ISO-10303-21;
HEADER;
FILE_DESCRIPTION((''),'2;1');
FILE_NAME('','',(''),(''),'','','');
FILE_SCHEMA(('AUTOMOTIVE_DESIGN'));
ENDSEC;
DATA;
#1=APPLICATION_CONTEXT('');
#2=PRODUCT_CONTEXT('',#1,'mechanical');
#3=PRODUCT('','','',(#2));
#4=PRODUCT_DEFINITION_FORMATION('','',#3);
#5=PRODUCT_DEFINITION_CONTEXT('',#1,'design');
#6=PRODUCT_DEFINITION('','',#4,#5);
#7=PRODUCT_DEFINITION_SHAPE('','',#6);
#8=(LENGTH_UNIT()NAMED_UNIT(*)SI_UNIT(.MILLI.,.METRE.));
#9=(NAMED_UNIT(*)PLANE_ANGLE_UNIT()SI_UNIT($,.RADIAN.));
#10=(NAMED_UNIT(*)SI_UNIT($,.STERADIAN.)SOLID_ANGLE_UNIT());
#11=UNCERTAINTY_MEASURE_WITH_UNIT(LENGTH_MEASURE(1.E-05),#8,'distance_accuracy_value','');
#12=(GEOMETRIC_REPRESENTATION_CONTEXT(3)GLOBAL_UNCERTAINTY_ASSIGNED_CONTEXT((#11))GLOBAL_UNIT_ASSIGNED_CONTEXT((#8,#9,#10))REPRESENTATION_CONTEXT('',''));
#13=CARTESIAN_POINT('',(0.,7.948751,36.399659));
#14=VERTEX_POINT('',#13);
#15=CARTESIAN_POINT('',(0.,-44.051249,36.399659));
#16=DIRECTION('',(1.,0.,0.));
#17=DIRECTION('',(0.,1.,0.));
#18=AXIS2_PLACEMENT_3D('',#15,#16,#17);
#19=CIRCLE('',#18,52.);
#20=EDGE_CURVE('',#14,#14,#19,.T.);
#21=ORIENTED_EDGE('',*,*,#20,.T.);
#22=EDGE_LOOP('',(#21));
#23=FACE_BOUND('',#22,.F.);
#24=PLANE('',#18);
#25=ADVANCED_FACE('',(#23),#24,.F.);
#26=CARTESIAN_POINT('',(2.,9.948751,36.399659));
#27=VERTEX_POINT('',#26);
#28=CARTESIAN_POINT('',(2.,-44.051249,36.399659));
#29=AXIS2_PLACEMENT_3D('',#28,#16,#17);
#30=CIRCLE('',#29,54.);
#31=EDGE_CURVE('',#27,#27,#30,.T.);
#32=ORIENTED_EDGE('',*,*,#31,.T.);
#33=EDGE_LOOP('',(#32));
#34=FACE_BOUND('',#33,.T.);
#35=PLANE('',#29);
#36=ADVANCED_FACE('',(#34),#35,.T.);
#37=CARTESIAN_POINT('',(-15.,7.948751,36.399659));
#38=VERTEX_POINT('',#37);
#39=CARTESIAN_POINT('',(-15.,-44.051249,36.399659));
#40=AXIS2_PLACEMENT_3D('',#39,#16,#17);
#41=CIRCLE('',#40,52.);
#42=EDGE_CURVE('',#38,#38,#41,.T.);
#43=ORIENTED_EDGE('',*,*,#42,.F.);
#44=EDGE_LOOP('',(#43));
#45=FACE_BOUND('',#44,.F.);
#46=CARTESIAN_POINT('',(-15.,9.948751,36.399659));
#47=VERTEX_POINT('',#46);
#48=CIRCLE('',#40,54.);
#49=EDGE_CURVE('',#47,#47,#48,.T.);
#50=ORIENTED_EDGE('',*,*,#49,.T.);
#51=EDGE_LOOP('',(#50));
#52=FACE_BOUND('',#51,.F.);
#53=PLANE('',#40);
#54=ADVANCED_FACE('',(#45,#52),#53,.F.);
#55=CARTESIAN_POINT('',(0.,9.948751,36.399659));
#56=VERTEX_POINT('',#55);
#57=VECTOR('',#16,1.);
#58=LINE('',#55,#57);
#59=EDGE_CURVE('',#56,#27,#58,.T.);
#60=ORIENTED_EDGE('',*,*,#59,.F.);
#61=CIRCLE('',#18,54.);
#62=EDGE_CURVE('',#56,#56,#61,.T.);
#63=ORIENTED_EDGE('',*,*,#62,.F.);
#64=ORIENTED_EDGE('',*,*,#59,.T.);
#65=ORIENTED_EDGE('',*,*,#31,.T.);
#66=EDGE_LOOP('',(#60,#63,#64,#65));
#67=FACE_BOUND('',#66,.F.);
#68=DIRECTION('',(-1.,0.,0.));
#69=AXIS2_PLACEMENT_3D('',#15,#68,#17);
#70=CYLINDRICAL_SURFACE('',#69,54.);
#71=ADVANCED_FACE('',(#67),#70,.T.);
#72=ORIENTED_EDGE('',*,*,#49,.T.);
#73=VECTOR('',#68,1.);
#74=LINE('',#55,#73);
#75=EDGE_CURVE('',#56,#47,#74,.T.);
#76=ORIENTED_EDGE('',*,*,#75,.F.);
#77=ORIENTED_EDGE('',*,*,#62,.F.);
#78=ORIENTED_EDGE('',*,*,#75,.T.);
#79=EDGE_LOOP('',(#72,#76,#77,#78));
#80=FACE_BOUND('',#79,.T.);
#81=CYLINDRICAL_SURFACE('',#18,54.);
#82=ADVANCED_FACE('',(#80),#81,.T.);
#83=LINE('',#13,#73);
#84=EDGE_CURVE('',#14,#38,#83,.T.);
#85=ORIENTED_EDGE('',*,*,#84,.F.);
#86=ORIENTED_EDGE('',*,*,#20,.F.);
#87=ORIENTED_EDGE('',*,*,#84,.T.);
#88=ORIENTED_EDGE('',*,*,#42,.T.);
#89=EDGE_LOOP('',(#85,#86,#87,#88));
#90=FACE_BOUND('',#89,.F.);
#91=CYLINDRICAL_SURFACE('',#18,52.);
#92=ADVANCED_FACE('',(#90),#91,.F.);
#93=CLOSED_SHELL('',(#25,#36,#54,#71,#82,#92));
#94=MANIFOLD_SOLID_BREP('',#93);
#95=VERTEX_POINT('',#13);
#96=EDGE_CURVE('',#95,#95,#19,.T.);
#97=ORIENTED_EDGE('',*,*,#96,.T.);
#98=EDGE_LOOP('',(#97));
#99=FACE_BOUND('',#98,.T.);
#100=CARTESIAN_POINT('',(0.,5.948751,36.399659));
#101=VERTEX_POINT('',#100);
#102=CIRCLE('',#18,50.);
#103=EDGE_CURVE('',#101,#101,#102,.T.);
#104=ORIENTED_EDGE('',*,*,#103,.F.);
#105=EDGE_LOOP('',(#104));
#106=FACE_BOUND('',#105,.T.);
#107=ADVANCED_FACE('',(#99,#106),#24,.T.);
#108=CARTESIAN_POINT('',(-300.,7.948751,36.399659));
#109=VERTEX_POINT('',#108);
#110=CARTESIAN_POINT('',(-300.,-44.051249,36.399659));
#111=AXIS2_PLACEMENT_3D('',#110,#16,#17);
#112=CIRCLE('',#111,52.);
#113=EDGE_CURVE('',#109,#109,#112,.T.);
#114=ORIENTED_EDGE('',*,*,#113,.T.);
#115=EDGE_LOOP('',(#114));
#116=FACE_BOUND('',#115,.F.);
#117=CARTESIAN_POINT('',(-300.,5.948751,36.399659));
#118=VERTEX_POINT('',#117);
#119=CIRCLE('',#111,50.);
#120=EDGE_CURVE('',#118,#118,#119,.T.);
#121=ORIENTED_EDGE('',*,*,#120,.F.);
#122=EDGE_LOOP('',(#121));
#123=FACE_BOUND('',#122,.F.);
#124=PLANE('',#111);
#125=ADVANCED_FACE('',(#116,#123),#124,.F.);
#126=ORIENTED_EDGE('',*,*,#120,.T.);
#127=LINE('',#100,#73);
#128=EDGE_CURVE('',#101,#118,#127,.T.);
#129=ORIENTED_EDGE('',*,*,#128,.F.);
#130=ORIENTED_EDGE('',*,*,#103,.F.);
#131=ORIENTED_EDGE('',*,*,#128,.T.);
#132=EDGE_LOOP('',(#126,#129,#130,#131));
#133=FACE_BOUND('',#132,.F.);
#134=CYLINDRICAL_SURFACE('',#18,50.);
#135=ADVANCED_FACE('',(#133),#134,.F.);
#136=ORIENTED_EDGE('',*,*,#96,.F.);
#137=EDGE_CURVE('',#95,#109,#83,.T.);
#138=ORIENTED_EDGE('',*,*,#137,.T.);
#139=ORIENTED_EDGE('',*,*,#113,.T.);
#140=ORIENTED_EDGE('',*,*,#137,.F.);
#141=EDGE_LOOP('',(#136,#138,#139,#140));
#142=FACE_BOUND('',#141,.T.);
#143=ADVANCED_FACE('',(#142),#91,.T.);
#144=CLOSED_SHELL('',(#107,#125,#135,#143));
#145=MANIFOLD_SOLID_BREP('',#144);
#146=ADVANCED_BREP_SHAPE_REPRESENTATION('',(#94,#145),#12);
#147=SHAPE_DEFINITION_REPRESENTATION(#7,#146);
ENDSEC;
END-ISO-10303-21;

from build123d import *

# Parameters (mm, degrees)
F2_R     = 52
F2_R_2   = 50
F3_DEPTH = 300
F5_R     = 54
F5_R_2   = 52
F6_DEPTH = 15
F5_R_3   = 50
F7_DEPTH = 2


with BuildPart() as f3:
    # F2 (on Right) → F3 (new body)
    with BuildSketch(Plane.YZ):
        with Locations((-44.0512485802, 36.3996587694)):
            Circle(F2_R)
        with Locations((-44.0512485802, 36.3996587694)):
            Circle(F2_R_2, mode=Mode.SUBTRACT)
    extrude(amount=-F3_DEPTH)


with BuildPart() as f6:
    # F5 (on face) → F6 (new body)
    with BuildSketch(Plane.YZ):
        with Locations((-44.0512485802, 36.3996587694)):
            Circle(F5_R)
        with Locations((-44.0512485802, 36.3996587694)):
            Circle(F5_R_2, mode=Mode.SUBTRACT)
    extrude(amount=-F6_DEPTH)

    # F5 (on face) → F7 (join)
    with BuildSketch(Plane.YZ):
        with Locations((-44.0512485802, 36.3996587694)):
            Circle(F5_R)
        with Locations((-44.0512485802, 36.3996587694)):
            Circle(F5_R_2, mode=Mode.SUBTRACT)
        with Locations((-44.0512485802, 36.3996587694)):
            Circle(F5_R_2)
        with Locations((-44.0512485802, 36.3996587694)):
            Circle(F5_R_3, mode=Mode.SUBTRACT)
        with Locations((-44.0512485802, 36.3996587694)):
            Circle(F5_R_3)
    extrude(amount=F7_DEPTH)


solid = Compound([f3.part, f6.part])
